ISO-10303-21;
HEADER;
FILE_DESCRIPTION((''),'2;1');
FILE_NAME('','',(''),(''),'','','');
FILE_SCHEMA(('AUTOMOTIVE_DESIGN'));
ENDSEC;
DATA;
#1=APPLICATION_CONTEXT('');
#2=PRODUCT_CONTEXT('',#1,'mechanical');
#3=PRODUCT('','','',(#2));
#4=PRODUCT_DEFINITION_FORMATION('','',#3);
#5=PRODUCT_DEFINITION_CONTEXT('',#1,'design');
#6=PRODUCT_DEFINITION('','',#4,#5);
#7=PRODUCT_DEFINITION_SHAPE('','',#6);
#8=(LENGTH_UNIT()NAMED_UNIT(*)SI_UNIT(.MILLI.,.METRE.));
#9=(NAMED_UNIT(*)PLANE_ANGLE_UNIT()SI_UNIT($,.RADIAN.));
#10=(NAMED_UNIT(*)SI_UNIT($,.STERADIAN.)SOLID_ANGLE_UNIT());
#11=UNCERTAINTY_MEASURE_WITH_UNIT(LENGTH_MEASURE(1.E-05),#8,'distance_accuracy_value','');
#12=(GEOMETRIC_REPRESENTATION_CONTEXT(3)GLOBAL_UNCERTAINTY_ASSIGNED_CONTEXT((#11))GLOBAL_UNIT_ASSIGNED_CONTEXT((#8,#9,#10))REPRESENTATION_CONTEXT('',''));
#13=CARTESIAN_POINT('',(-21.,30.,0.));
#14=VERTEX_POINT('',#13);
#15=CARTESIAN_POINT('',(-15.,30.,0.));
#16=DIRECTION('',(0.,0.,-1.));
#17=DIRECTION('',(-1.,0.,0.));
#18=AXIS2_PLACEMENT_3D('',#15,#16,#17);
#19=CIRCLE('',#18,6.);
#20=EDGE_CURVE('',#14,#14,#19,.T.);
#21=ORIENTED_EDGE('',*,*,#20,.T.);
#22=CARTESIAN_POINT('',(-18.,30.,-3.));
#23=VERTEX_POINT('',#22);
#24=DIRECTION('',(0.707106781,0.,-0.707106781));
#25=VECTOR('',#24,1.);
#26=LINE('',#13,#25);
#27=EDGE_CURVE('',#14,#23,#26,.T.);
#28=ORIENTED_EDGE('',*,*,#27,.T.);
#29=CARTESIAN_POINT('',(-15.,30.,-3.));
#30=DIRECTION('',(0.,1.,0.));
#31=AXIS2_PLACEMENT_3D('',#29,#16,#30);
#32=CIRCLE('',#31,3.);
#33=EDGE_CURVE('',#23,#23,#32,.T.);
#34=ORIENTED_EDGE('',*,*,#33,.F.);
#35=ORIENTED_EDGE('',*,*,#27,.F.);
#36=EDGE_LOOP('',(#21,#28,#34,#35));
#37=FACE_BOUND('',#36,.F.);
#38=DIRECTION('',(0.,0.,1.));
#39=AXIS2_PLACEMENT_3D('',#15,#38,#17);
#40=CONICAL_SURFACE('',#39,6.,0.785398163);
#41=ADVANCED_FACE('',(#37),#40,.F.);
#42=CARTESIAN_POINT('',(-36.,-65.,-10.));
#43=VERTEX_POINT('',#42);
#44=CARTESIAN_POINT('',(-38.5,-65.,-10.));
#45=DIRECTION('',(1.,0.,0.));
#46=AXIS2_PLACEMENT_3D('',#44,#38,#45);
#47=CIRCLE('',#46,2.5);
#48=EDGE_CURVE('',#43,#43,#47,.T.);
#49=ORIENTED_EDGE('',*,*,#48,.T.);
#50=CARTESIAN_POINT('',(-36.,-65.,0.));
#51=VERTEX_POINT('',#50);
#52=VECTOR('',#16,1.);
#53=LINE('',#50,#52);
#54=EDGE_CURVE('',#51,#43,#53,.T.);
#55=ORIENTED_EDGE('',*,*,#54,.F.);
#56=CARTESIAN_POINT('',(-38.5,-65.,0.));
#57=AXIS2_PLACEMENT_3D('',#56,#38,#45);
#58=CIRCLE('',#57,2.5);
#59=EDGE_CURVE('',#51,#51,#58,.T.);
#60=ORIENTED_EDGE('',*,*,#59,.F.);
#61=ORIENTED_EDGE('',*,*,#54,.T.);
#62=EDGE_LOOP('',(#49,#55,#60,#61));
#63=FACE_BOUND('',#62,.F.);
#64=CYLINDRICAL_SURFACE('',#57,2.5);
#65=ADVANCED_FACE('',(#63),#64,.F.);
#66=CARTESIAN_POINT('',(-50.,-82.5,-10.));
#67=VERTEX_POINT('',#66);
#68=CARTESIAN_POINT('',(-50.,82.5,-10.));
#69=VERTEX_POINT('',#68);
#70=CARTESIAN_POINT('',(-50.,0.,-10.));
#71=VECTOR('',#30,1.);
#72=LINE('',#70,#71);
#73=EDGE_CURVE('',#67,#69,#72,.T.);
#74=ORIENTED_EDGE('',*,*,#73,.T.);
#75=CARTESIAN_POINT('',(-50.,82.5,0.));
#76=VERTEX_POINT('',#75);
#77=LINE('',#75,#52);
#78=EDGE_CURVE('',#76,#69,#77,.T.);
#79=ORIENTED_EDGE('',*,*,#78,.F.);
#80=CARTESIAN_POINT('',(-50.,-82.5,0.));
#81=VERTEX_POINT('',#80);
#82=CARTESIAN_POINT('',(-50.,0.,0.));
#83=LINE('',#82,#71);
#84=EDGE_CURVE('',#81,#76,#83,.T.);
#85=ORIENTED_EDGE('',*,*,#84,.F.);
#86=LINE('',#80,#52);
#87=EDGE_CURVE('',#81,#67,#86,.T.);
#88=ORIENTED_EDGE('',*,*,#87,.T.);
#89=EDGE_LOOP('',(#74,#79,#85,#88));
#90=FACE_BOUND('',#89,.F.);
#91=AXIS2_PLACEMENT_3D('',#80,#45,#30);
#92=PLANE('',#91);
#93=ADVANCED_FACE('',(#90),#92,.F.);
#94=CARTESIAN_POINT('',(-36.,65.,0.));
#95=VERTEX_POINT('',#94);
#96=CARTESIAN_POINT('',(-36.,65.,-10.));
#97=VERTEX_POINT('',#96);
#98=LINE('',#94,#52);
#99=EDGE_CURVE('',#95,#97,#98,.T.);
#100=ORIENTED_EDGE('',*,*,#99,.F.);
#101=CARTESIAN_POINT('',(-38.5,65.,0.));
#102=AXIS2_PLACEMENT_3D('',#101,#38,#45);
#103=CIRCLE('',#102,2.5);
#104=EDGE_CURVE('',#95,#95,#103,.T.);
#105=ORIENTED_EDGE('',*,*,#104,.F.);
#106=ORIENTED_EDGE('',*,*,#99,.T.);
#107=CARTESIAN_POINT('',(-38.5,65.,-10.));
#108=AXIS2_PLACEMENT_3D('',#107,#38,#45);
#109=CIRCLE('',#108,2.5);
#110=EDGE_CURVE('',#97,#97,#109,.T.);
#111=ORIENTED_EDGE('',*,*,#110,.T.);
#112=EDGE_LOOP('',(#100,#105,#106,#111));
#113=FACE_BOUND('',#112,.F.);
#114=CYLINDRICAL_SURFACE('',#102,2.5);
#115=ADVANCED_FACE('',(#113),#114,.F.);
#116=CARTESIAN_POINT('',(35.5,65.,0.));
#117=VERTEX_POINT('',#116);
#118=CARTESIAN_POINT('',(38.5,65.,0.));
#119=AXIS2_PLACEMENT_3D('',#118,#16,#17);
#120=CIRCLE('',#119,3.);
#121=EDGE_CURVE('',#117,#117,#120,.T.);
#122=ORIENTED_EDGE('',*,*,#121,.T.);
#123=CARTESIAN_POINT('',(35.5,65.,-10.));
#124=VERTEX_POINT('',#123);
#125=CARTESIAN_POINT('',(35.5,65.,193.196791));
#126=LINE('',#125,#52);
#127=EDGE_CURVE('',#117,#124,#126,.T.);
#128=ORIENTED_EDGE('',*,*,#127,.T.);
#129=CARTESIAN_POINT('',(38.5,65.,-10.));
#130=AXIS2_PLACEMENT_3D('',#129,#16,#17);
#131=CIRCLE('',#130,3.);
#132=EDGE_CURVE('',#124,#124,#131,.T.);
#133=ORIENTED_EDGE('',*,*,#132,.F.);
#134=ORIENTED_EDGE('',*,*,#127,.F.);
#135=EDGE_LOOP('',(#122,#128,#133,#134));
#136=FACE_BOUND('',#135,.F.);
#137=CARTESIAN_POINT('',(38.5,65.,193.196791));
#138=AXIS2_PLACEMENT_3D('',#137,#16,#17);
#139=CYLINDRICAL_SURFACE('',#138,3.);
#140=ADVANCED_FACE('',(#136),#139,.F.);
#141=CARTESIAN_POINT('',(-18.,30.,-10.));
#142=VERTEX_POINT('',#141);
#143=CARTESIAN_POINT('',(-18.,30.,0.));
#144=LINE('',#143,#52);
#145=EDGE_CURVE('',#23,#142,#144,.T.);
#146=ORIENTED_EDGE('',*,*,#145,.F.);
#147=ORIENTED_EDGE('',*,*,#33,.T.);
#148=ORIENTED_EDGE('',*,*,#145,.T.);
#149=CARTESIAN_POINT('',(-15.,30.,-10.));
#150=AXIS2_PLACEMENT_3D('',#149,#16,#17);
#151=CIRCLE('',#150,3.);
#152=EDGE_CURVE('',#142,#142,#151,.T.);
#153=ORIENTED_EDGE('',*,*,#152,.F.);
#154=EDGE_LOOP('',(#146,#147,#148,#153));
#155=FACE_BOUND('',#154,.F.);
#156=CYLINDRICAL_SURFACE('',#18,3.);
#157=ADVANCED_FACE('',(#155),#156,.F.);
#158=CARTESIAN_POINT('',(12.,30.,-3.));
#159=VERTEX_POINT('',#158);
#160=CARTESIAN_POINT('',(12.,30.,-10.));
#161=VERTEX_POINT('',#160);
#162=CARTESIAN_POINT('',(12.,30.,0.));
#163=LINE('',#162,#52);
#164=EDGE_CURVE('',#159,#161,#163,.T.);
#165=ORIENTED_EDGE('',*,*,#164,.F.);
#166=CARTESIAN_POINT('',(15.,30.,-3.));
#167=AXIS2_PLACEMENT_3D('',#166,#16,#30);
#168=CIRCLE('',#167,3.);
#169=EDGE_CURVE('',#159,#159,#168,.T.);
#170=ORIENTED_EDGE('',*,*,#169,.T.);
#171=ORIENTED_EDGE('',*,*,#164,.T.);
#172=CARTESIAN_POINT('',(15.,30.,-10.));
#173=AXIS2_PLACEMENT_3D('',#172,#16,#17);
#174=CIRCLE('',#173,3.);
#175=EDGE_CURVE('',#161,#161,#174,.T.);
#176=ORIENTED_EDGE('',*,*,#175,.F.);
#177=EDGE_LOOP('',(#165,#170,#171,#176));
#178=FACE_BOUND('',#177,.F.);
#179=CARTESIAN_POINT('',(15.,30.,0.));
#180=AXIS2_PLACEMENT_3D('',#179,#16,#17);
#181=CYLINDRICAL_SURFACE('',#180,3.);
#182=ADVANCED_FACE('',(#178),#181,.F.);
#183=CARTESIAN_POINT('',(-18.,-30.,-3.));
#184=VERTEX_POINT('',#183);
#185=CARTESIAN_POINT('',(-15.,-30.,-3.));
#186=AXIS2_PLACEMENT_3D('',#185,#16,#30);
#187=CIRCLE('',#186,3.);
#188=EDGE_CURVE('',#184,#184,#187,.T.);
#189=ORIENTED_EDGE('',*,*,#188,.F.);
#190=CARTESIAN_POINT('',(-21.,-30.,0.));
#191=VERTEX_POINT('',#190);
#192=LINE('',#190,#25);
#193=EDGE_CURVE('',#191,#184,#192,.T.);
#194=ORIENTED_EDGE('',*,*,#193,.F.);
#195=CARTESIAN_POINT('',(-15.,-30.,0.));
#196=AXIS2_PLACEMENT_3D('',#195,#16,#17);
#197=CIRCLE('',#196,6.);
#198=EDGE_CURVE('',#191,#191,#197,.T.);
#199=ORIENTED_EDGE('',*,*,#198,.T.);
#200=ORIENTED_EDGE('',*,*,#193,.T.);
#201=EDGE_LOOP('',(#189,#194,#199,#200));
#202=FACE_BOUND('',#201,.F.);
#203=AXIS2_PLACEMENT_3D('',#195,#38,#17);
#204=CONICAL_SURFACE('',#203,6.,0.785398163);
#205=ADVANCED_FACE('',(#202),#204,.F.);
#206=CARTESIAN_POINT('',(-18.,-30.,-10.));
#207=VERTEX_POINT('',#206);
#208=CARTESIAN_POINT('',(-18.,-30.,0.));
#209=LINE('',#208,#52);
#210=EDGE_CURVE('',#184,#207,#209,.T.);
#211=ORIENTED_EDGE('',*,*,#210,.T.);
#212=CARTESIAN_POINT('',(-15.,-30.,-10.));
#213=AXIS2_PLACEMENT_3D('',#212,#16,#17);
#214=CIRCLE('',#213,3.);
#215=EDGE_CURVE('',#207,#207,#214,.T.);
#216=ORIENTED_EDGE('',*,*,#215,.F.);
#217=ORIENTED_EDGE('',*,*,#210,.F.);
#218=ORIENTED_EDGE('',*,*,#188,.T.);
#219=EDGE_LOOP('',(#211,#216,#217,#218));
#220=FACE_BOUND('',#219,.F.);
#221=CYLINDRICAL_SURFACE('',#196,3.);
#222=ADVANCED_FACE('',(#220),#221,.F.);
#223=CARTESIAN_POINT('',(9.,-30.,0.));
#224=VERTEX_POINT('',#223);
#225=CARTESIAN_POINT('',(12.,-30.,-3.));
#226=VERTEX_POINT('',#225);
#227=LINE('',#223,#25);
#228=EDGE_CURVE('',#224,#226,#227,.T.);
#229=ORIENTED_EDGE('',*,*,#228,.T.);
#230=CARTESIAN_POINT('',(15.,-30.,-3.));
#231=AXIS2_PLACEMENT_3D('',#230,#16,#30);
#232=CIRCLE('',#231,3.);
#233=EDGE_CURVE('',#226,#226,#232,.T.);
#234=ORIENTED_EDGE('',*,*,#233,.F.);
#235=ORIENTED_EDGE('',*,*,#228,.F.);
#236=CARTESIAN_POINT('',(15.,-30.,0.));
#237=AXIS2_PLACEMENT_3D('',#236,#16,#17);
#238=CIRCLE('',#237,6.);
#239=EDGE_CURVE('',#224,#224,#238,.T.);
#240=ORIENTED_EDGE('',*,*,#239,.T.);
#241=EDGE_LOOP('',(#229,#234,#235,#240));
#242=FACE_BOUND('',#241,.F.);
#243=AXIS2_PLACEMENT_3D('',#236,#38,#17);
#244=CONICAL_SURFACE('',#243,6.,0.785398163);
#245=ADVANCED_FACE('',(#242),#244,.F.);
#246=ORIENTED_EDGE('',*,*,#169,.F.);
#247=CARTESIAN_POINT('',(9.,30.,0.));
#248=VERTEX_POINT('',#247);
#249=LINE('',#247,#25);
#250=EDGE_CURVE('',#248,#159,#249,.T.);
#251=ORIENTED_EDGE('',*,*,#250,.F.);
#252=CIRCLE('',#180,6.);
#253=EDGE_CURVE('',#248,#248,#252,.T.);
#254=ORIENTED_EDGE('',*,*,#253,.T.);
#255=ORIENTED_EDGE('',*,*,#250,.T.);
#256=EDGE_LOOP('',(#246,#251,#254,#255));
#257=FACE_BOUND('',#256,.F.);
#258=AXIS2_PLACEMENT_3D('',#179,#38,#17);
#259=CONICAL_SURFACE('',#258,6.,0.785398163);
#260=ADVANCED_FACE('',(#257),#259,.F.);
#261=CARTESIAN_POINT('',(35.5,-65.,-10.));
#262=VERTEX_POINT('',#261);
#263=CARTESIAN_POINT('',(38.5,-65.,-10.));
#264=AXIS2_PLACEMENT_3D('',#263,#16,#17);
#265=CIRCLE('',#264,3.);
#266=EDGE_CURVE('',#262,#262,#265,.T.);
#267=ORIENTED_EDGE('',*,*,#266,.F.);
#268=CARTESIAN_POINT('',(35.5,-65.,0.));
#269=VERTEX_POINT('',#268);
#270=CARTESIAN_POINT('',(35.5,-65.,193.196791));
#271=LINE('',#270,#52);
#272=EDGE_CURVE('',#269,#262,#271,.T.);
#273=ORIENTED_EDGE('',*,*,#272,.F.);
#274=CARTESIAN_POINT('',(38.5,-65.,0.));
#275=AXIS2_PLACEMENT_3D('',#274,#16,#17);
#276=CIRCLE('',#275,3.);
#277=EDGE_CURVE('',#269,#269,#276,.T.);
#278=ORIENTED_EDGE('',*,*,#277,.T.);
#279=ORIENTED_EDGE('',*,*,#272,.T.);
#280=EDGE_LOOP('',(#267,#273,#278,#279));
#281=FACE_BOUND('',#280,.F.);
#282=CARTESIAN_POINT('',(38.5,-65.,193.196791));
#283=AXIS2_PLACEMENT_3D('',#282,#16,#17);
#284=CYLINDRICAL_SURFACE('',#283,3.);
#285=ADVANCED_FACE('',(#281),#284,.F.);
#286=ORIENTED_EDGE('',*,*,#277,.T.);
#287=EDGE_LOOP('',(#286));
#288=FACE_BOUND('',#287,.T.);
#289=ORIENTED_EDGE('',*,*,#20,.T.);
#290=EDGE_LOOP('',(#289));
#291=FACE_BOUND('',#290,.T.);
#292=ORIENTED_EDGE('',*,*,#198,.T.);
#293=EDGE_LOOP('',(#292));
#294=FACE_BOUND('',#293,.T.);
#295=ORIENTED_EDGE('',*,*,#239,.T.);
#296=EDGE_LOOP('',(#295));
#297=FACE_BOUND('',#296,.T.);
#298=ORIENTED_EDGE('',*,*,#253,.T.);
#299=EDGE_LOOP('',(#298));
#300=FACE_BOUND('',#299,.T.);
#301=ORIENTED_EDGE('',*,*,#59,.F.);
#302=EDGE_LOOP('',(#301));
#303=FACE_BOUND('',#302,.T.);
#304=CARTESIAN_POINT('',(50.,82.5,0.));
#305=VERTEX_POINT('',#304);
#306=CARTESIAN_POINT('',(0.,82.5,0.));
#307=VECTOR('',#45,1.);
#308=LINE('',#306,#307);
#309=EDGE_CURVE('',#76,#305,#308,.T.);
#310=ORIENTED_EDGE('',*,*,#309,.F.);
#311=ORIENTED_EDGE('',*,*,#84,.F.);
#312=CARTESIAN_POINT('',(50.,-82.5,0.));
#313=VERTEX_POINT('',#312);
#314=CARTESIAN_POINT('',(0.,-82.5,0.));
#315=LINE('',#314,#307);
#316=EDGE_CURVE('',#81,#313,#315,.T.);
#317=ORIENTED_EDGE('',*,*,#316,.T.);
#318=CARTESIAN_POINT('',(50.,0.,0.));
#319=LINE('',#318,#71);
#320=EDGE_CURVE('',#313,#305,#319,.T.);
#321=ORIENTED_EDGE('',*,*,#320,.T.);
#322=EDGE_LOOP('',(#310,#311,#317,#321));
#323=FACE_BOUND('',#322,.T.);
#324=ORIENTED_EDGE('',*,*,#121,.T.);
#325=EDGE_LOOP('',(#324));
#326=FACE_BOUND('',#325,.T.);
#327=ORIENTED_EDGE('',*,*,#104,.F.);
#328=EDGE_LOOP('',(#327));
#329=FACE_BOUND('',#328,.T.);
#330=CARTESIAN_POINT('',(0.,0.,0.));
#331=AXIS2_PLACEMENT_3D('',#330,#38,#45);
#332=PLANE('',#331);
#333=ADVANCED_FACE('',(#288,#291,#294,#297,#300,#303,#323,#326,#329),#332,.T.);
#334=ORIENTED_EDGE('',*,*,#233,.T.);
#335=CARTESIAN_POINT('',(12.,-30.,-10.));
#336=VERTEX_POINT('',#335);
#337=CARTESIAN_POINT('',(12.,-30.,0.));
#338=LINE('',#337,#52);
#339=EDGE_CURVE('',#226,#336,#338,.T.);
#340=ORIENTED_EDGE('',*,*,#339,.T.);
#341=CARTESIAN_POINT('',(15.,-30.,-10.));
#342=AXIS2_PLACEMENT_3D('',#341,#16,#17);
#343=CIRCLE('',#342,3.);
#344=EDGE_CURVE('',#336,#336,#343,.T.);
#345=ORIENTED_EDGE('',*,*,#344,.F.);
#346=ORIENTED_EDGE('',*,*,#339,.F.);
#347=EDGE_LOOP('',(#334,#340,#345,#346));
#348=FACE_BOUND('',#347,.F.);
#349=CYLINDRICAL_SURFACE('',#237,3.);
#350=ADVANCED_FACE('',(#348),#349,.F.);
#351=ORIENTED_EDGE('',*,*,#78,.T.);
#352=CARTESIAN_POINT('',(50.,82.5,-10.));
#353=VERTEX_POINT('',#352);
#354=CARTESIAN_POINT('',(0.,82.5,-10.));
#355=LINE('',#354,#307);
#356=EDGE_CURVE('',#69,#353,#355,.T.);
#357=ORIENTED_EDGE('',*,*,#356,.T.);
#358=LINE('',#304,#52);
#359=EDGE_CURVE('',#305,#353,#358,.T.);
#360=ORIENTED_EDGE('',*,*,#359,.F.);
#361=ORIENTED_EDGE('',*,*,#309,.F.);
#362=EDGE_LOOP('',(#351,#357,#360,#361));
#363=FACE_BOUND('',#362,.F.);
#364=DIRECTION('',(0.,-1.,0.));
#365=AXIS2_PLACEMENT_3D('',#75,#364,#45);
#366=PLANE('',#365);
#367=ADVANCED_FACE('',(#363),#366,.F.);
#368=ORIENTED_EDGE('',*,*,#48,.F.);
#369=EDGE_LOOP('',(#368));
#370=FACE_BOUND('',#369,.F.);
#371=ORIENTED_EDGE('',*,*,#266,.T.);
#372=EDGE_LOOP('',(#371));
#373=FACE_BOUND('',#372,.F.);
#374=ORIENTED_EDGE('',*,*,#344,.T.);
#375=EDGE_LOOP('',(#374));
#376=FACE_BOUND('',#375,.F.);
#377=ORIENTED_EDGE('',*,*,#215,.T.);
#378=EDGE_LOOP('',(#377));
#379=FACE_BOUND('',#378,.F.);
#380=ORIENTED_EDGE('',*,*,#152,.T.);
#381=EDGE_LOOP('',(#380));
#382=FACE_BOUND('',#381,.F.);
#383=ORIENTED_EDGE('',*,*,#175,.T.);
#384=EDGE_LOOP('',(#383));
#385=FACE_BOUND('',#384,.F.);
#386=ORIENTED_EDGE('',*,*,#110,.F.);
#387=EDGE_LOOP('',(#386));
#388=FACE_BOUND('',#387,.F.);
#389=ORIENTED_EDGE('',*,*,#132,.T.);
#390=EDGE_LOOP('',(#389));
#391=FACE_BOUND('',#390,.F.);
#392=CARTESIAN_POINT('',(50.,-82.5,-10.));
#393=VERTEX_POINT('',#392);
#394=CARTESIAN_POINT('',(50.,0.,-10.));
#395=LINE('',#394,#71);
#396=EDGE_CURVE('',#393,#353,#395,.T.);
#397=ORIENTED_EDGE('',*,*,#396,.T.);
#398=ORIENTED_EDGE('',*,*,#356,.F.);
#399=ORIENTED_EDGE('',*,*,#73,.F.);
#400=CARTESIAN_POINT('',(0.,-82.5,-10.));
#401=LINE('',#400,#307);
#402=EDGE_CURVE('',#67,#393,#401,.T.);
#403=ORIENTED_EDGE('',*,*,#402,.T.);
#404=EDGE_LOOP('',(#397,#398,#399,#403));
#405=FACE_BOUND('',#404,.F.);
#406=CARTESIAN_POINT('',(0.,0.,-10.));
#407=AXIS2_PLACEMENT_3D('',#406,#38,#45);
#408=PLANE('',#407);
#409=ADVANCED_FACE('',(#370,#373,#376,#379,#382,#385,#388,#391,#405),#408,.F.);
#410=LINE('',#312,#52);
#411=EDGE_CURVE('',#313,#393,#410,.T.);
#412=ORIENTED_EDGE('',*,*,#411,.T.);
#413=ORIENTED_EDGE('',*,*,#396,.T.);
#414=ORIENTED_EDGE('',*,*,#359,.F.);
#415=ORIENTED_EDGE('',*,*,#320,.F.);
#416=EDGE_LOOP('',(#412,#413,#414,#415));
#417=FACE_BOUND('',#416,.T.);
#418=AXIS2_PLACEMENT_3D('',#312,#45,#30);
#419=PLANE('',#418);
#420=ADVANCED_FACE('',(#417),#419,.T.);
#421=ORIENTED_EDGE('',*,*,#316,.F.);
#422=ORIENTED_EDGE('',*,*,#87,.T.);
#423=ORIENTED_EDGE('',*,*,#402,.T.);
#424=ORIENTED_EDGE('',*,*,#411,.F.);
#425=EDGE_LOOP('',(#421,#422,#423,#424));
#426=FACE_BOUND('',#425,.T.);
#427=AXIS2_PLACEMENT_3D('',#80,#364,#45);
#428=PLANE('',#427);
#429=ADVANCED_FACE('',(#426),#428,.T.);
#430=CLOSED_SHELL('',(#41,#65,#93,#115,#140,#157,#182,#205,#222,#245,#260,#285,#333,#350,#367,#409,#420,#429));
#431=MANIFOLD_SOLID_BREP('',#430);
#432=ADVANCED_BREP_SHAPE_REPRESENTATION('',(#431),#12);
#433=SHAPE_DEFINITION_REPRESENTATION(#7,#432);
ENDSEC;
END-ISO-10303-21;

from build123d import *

# Parameters (mm, degrees)
F0_W           = 100
F0_H           = 165
F0_R           = 2.5
F0_R_2         = 3
F1_DEPTH       = 10
F2_D           = 6
F2_CSINK_D     = 12
F2_CSINK_ANGLE = 90
F3_D           = 6


with BuildPart() as f1:
    # F0 (on Top) → F1 (new body)
    with BuildSketch(Plane.XY):
        Rectangle(F0_W, F0_H)
        with Locations((-38.5, -65)):
            Circle(F0_R, mode=Mode.SUBTRACT)
        with Locations((-15, -30)):
            Circle(F0_R_2, mode=Mode.SUBTRACT)
        with Locations((38.5, -65)):
            Circle(F0_R, mode=Mode.SUBTRACT)
        with Locations((15, -30)):
            Circle(F0_R_2, mode=Mode.SUBTRACT)
        with Locations((-15, 30)):
            Circle(F0_R_2, mode=Mode.SUBTRACT)
        with Locations((-38.5, 65)):
            Circle(F0_R, mode=Mode.SUBTRACT)
        with Locations((15, 30)):
            Circle(F0_R_2, mode=Mode.SUBTRACT)
        with Locations((38.5, 65)):
            Circle(F0_R, mode=Mode.SUBTRACT)
        with Locations((-15, 30)):
            Circle(F0_R_2)
        with Locations((-15, -30)):
            Circle(F0_R_2)
        with Locations((15, -30)):
            Circle(F0_R_2)
        with Locations((38.5, -65)):
            Circle(F0_R)
        with Locations((15, 30)):
            Circle(F0_R_2)
        with Locations((38.5, 65)):
            Circle(F0_R)
    extrude(amount=-F1_DEPTH)

    # F2 (through all)
    with Locations(Plane.XY):
        with Locations((-15, 30), (15, 30), (-15, -30), (15, -30)):
            CounterSinkHole(F2_D / 2, F2_CSINK_D / 2, counter_sink_angle=F2_CSINK_ANGLE)

    # F3 (through all)
    with Locations(Plane.XY):
        with Locations((38.5, 65), (38.5, -65)):
            Hole(F3_D / 2)


solid = f1.part
